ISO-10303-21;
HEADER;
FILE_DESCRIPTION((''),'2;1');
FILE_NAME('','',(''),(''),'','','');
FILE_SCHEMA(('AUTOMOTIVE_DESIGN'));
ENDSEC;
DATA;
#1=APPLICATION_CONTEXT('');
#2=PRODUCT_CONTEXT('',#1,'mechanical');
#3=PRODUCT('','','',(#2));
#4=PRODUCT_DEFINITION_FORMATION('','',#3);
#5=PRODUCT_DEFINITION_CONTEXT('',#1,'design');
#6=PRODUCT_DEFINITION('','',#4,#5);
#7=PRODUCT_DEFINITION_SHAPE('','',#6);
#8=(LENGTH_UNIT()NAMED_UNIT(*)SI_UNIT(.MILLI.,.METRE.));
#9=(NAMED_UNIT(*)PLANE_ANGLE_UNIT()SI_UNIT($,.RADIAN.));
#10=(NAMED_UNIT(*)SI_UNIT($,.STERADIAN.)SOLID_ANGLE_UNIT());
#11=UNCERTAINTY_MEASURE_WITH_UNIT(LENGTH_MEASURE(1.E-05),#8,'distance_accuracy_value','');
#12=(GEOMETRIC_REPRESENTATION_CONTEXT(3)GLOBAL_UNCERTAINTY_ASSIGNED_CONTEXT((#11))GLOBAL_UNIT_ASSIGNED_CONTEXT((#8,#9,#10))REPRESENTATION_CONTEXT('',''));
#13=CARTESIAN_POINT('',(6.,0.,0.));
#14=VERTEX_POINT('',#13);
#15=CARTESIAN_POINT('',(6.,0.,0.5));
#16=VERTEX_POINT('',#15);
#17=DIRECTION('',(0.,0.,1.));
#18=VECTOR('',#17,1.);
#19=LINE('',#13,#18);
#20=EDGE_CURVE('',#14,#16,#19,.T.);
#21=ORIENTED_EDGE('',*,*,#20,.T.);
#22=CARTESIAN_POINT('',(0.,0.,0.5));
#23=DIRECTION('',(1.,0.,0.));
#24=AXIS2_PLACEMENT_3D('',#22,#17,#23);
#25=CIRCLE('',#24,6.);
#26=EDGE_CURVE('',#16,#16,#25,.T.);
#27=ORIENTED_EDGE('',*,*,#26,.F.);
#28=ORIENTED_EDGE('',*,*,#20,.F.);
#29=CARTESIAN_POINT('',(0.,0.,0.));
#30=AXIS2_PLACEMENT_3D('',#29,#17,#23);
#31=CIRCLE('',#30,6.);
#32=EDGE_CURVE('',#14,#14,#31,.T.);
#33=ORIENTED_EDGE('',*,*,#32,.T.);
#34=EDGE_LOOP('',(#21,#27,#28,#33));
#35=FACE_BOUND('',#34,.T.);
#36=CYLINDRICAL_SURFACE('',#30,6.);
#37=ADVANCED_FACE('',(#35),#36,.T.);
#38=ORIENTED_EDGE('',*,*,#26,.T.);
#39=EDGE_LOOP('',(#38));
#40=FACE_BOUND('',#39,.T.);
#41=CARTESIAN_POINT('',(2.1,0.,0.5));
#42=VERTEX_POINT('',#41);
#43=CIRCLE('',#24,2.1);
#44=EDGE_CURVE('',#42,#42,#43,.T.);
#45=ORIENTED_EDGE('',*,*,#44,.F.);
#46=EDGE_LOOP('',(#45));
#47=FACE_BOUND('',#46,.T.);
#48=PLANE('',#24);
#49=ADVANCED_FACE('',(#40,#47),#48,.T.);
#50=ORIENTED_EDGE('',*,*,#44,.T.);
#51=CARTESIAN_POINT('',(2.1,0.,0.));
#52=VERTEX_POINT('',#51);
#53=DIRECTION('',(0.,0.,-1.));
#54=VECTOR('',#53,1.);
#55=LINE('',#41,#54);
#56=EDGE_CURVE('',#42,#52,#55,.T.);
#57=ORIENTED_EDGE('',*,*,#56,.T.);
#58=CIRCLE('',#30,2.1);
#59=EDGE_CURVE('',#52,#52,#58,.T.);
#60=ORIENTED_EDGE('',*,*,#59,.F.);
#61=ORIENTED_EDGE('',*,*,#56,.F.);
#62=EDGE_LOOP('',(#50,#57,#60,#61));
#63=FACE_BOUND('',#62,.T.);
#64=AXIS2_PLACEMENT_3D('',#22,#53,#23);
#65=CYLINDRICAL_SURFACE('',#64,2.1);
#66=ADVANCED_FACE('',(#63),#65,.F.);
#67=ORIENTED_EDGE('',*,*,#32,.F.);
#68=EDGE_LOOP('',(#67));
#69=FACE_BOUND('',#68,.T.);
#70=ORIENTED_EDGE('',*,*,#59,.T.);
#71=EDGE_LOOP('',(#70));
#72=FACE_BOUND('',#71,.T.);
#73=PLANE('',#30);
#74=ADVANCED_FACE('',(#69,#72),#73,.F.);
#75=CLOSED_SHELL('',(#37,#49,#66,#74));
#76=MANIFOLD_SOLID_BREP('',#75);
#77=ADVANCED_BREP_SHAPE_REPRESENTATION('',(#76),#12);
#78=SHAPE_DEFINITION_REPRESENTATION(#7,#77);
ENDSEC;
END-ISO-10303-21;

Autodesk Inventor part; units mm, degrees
ref_plane "YZ Plane" through (0, 0, 0) normal (1, 0, 0) x (0, 1, 0)
ref_plane "XZ Plane" through (0, 0, 0) normal (0, 1, 0) x (-1, 0, 0)
ref_plane "XY Plane" through (0, 0, 0) normal (0, 0, 1) x (1, 0, 0)
sketch "Sketch1" plane through (0, 0, 0) normal (0, 1, 0) x (-1, 0, 0)
  line L0 (0, 0) -> (0, 0.5)
  line L1 (-2.1, 0.5) -> (-2.1, 0)
  line L2 (-2.1, 0) -> (-6, 0)
  line L3 (-6, 0) -> (-6, 0.5)
  line L4 (-6, 0.5) -> (-2.1, 0.5)
  dimension "InsideDiameter" = 4.2
  dimension "OuterDiameter" = 12
  dimension "Thickness" = 0.5
revolve "Revolution1" add sketch "Sketch1" angle 360 about axis through (0, 0, 0) along (0, 0, 1)
properties part number "UUW-0412-05H" material "Stainless Steel AISI 304"
